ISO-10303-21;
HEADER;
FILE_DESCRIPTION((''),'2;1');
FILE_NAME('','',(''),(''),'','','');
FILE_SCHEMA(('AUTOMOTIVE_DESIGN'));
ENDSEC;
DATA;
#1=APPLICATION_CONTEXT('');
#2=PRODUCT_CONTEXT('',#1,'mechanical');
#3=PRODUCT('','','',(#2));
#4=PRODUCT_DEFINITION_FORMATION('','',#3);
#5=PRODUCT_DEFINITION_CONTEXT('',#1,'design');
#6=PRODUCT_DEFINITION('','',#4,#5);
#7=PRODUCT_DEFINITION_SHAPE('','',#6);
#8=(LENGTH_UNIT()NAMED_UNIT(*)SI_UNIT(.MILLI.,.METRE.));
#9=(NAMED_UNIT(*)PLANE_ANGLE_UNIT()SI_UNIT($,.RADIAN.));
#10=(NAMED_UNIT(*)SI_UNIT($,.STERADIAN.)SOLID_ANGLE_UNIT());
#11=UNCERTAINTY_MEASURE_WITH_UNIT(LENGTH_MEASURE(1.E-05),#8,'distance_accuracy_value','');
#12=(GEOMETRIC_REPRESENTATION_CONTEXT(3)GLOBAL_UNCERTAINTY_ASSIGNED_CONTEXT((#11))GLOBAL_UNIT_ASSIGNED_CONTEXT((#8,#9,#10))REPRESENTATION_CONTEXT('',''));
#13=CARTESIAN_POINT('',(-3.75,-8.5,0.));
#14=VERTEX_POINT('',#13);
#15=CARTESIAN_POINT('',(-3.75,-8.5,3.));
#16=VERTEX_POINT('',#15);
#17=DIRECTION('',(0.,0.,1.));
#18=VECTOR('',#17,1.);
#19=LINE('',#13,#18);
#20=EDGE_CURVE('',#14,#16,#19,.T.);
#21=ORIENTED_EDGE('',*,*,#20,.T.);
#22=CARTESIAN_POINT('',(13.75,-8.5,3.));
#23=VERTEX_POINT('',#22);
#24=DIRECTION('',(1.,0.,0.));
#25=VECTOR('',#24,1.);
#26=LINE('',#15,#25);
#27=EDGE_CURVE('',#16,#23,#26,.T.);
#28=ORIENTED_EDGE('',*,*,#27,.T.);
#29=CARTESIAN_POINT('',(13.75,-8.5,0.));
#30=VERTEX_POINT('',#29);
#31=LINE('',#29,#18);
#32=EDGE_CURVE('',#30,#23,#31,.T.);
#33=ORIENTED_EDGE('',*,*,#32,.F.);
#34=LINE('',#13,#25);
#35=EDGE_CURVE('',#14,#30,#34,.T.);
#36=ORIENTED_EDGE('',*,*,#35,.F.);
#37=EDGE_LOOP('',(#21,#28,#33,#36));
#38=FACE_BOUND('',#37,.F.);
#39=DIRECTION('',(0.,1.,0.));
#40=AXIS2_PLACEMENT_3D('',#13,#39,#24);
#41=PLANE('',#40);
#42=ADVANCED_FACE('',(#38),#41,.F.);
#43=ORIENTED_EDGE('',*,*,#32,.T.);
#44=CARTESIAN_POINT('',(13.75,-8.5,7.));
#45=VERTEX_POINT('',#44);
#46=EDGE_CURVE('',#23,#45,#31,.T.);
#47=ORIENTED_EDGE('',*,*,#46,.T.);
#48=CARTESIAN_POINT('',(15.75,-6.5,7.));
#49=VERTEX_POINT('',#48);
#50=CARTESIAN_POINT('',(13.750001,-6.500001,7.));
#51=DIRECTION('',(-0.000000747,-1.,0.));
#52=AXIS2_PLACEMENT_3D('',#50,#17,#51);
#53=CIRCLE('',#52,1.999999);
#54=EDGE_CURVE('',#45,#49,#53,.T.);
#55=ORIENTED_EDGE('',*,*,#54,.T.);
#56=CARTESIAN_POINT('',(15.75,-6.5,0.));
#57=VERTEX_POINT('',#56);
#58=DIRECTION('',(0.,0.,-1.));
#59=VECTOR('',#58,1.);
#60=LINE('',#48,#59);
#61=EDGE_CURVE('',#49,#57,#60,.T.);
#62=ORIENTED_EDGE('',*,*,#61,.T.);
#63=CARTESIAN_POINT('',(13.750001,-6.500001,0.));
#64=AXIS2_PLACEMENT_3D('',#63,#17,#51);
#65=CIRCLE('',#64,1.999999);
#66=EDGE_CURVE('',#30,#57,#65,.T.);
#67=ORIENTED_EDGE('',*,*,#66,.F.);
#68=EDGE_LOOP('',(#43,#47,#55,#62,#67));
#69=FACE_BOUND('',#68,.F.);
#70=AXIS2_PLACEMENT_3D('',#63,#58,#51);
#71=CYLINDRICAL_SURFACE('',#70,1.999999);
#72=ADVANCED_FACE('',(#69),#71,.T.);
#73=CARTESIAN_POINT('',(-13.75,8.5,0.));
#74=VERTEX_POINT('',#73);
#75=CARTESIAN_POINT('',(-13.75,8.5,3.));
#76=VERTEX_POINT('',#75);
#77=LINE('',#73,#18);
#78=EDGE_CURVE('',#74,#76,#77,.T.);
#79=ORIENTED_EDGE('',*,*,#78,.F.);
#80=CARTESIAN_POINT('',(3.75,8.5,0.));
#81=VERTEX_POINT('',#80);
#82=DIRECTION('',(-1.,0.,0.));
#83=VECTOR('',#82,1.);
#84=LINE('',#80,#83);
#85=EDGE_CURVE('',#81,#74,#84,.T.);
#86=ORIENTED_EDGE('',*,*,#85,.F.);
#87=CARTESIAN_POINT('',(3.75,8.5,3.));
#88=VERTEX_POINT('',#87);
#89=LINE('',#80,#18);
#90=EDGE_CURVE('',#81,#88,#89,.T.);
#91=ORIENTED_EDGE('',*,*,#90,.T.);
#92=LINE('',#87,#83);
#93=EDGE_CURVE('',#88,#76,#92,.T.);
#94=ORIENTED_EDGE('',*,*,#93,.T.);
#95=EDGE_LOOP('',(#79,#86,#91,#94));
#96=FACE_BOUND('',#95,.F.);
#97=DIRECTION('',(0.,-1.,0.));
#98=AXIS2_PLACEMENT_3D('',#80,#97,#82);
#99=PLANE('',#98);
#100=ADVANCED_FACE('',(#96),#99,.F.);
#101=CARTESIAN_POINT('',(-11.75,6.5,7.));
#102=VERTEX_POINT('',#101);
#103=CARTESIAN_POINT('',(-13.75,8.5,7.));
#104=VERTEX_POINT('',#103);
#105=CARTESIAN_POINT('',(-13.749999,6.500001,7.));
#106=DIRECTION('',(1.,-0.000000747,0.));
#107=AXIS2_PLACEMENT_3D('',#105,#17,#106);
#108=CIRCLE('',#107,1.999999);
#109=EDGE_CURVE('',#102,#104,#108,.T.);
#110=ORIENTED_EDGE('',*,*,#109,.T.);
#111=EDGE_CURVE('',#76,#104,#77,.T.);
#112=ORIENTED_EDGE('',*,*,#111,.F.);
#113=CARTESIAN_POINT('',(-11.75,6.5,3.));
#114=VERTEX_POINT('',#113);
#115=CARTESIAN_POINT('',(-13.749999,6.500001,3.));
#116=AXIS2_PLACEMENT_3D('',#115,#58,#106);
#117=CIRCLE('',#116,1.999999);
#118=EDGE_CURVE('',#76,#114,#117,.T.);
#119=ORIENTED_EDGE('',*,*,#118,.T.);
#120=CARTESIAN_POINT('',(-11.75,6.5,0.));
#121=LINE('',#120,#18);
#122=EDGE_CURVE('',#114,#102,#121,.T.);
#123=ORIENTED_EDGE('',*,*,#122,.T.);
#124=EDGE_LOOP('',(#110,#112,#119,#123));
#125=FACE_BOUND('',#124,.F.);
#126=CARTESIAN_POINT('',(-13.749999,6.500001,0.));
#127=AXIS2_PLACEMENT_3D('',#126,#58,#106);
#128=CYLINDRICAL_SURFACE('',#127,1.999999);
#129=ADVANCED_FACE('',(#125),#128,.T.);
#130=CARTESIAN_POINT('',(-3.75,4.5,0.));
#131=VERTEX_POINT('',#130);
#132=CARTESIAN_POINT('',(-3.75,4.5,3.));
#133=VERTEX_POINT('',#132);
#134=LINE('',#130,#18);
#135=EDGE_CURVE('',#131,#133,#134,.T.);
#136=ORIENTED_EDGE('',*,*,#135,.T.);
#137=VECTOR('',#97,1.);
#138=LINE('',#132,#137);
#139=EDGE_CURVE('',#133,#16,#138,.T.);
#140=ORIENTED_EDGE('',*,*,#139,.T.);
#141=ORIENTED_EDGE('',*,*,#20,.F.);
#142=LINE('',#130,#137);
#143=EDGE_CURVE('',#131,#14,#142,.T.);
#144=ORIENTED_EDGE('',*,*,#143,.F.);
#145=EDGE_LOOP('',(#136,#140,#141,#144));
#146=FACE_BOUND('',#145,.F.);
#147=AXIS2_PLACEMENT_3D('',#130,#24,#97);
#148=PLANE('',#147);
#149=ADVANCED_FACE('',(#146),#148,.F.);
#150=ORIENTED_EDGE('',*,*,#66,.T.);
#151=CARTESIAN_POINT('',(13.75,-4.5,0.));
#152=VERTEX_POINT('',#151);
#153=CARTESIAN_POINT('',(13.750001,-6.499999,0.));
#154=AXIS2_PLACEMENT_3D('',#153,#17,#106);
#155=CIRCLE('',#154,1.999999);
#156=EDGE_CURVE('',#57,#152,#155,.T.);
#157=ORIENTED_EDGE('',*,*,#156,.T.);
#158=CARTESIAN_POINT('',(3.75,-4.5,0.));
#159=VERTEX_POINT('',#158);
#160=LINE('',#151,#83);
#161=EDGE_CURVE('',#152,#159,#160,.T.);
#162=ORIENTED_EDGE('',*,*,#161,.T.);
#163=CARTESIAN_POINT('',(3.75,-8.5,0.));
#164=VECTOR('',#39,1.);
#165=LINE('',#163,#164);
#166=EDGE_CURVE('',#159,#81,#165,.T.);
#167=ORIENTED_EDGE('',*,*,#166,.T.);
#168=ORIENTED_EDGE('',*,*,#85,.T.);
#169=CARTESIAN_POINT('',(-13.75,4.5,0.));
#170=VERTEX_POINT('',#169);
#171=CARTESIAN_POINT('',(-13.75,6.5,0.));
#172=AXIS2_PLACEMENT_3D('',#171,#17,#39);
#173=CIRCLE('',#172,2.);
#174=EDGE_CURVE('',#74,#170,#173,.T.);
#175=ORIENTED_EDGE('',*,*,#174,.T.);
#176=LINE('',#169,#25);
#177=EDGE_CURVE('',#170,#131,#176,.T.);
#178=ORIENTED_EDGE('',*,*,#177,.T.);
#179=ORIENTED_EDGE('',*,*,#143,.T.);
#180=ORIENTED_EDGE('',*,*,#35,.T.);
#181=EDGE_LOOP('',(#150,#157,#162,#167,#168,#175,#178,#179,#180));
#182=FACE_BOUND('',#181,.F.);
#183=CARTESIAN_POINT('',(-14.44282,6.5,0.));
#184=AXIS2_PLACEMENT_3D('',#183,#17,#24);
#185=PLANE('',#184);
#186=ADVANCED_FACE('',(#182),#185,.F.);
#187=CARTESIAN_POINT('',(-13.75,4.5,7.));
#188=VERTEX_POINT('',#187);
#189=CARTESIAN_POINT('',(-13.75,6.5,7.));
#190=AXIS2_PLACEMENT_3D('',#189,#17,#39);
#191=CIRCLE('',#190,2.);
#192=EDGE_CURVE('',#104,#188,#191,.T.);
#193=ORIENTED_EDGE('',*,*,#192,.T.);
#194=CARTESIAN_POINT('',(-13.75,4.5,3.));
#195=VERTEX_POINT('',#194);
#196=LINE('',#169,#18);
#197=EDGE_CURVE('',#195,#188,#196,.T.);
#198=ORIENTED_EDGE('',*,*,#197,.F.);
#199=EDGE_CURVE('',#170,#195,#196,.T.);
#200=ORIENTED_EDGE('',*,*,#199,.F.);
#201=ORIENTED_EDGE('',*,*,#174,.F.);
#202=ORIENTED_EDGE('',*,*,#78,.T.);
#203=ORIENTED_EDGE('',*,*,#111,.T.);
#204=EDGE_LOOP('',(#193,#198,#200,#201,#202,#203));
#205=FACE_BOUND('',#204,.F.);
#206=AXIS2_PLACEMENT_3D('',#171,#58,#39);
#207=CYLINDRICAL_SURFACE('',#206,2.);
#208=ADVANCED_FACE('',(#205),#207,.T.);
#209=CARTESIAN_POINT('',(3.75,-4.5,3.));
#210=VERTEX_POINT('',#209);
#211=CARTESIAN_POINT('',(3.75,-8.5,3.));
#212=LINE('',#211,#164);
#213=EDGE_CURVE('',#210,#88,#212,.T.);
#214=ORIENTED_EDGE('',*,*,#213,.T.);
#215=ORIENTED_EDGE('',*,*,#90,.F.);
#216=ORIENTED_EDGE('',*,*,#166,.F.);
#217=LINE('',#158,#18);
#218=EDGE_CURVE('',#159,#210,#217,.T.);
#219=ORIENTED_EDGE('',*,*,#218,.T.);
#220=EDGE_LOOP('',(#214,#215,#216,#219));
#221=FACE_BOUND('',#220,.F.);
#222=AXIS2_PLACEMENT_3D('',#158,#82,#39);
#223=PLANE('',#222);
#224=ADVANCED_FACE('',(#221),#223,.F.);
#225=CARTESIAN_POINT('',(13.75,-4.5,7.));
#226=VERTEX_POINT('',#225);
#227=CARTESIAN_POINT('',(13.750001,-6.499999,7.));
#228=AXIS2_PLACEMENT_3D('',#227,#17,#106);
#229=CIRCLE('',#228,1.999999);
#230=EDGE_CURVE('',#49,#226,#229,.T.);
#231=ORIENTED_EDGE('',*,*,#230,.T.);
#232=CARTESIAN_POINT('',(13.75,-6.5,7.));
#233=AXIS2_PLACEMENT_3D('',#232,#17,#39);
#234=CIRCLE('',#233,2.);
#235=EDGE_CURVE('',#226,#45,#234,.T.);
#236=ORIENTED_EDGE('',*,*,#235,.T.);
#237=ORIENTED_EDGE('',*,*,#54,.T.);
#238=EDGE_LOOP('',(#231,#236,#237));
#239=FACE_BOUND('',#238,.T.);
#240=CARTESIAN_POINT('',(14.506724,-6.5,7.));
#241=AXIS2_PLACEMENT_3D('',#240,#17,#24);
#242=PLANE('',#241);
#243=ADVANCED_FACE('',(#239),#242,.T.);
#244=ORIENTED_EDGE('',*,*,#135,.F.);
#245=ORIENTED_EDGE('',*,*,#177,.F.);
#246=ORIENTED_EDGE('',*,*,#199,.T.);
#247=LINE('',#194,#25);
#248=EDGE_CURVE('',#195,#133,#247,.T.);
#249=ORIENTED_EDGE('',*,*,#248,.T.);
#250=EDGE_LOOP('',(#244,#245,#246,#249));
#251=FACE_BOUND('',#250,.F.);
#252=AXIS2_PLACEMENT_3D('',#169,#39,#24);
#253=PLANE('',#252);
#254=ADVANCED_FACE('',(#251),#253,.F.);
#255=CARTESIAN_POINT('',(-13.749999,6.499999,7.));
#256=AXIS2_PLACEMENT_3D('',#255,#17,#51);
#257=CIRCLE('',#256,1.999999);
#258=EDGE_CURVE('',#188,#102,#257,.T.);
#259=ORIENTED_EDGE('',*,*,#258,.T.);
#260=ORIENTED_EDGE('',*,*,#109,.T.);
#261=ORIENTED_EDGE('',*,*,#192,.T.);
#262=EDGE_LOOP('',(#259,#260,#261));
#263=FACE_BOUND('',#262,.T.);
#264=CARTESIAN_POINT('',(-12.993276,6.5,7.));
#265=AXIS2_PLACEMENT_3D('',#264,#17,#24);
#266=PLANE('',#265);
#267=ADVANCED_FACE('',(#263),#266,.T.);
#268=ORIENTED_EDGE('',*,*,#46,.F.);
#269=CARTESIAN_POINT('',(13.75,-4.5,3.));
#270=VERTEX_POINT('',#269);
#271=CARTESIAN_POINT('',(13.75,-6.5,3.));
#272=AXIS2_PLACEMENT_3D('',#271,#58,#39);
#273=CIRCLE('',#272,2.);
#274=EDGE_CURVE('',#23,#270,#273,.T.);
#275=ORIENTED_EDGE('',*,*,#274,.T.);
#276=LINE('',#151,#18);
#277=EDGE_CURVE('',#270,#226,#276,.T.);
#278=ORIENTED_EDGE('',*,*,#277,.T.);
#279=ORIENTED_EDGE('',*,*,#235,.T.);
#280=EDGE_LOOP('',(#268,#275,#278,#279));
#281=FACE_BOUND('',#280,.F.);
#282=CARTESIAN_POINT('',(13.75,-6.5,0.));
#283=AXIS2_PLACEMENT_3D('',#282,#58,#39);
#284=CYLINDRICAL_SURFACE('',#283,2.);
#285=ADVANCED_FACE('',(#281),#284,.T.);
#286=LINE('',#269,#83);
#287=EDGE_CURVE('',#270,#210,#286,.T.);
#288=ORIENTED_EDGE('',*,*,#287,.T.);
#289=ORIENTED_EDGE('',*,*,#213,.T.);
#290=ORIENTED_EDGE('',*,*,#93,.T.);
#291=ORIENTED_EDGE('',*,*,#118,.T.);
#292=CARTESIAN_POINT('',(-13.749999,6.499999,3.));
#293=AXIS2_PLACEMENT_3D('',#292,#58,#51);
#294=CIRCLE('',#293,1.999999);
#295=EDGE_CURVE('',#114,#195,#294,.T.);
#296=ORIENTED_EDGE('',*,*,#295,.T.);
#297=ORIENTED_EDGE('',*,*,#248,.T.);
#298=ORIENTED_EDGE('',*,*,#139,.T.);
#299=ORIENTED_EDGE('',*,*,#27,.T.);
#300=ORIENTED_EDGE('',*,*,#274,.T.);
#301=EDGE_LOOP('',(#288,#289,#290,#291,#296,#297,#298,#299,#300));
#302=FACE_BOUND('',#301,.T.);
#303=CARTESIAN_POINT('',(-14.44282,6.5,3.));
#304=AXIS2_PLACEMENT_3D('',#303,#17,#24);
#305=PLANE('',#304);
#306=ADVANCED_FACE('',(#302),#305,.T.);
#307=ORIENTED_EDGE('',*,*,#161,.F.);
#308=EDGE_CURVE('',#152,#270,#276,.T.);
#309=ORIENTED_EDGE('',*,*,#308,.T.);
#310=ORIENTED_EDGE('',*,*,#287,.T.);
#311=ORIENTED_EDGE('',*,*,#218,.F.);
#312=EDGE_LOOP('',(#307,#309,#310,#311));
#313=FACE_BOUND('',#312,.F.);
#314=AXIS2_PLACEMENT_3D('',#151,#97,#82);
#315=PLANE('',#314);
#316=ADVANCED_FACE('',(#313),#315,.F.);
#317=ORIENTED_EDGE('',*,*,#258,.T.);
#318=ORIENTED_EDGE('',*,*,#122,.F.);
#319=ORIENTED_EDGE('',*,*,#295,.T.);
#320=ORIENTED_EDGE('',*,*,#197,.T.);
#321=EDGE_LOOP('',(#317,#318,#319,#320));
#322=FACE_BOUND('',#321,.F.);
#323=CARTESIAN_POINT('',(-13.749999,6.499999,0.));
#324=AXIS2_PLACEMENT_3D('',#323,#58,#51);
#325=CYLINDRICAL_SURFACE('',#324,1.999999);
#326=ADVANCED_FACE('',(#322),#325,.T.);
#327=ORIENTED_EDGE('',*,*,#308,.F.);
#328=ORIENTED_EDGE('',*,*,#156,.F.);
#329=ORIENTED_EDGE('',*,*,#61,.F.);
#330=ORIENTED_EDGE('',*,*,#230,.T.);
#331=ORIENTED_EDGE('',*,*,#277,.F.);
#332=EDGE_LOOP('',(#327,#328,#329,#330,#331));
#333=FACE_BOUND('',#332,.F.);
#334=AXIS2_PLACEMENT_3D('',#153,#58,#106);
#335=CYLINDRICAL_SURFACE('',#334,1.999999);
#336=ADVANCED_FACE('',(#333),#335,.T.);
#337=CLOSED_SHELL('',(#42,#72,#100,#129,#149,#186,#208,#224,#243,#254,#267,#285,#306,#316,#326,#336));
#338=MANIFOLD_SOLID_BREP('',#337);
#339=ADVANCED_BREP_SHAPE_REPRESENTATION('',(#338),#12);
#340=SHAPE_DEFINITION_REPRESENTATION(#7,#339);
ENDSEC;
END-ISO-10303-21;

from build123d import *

# Parameters (mm, degrees)
F1_DEPTH = 3
F2_DEPTH = 7


with BuildPart() as f1:
    # F0 (on Top) → F1 (new body)
    with BuildSketch(Plane.XY):
        with BuildLine():
            Line((-13.75, 4.5), (-13.75, 8.5))
            ThreePointArc((-13.75, 8.5), (-15.75, 6.5), (-13.75, 4.5))
        make_face()
        with BuildLine():
            Line((-3.75, 4.5), (-3.75, 8.5))
            Line((-3.75, 8.5), (-13.75, 8.5))
            ThreePointArc((-13.75, 8.5), (-12.335786, 7.914214), (-11.75, 6.5))
            ThreePointArc((-11.75, 6.5), (-12.335786, 5.085786), (-13.75, 4.5))
            Line((-13.75, 4.5), (-3.75, 4.5))
        make_face()
        Polygon((3.75, -4.5), (3.75, 8.5), (-3.75, 8.5), (-3.75, 4.5), (-3.75, -8.5), (3.75, -8.5), align=None)
        with BuildLine():
            Line((13.75, -4.5), (3.75, -4.5))
            Line((3.75, -4.5), (3.75, -8.5))
            Line((3.75, -8.5), (13.75, -8.5))
            ThreePointArc((13.75, -8.5), (11.75, -6.5), (13.75, -4.5))
        make_face()
        with BuildLine():
            ThreePointArc((15.75, -6.5), (15.164214, -5.085786), (13.75, -4.5))
            Line((13.75, -4.5), (13.75, -8.5))
            ThreePointArc((13.75, -8.5), (15.164214, -7.914214), (15.75, -6.5))
        make_face()
        with BuildLine():
            Line((13.75, -8.5), (13.75, -4.5))
            ThreePointArc((13.75, -4.5), (11.75, -6.5), (13.75, -8.5))
        make_face()
        with BuildLine():
            ThreePointArc((-11.75, 6.5), (-12.335786, 7.914214), (-13.75, 8.5))
            Line((-13.75, 8.5), (-13.75, 4.5))
            ThreePointArc((-13.75, 4.5), (-12.335786, 5.085786), (-11.75, 6.5))
        make_face()
    extrude(amount=F1_DEPTH)

    # F0 (on Top) → F2 (join)
    with BuildSketch(Plane.XY):
        with BuildLine():
            ThreePointArc((15.75, -6.5), (15.164214, -5.085786), (13.75, -4.5))
            Line((13.75, -4.5), (13.75, -8.5))
            ThreePointArc((13.75, -8.5), (15.164214, -7.914214), (15.75, -6.5))
        make_face()
        with BuildLine():
            Line((13.75, -8.5), (13.75, -4.5))
            ThreePointArc((13.75, -4.5), (11.75, -6.5), (13.75, -8.5))
        make_face()
        with BuildLine():
            ThreePointArc((-11.75, 6.5), (-12.335786, 7.914214), (-13.75, 8.5))
            Line((-13.75, 8.5), (-13.75, 4.5))
            ThreePointArc((-13.75, 4.5), (-12.335786, 5.085786), (-11.75, 6.5))
        make_face()
        with BuildLine():
            Line((-13.75, 4.5), (-13.75, 8.5))
            ThreePointArc((-13.75, 8.5), (-15.75, 6.5), (-13.75, 4.5))
        make_face()
    extrude(amount=F2_DEPTH)


solid = f1.part
